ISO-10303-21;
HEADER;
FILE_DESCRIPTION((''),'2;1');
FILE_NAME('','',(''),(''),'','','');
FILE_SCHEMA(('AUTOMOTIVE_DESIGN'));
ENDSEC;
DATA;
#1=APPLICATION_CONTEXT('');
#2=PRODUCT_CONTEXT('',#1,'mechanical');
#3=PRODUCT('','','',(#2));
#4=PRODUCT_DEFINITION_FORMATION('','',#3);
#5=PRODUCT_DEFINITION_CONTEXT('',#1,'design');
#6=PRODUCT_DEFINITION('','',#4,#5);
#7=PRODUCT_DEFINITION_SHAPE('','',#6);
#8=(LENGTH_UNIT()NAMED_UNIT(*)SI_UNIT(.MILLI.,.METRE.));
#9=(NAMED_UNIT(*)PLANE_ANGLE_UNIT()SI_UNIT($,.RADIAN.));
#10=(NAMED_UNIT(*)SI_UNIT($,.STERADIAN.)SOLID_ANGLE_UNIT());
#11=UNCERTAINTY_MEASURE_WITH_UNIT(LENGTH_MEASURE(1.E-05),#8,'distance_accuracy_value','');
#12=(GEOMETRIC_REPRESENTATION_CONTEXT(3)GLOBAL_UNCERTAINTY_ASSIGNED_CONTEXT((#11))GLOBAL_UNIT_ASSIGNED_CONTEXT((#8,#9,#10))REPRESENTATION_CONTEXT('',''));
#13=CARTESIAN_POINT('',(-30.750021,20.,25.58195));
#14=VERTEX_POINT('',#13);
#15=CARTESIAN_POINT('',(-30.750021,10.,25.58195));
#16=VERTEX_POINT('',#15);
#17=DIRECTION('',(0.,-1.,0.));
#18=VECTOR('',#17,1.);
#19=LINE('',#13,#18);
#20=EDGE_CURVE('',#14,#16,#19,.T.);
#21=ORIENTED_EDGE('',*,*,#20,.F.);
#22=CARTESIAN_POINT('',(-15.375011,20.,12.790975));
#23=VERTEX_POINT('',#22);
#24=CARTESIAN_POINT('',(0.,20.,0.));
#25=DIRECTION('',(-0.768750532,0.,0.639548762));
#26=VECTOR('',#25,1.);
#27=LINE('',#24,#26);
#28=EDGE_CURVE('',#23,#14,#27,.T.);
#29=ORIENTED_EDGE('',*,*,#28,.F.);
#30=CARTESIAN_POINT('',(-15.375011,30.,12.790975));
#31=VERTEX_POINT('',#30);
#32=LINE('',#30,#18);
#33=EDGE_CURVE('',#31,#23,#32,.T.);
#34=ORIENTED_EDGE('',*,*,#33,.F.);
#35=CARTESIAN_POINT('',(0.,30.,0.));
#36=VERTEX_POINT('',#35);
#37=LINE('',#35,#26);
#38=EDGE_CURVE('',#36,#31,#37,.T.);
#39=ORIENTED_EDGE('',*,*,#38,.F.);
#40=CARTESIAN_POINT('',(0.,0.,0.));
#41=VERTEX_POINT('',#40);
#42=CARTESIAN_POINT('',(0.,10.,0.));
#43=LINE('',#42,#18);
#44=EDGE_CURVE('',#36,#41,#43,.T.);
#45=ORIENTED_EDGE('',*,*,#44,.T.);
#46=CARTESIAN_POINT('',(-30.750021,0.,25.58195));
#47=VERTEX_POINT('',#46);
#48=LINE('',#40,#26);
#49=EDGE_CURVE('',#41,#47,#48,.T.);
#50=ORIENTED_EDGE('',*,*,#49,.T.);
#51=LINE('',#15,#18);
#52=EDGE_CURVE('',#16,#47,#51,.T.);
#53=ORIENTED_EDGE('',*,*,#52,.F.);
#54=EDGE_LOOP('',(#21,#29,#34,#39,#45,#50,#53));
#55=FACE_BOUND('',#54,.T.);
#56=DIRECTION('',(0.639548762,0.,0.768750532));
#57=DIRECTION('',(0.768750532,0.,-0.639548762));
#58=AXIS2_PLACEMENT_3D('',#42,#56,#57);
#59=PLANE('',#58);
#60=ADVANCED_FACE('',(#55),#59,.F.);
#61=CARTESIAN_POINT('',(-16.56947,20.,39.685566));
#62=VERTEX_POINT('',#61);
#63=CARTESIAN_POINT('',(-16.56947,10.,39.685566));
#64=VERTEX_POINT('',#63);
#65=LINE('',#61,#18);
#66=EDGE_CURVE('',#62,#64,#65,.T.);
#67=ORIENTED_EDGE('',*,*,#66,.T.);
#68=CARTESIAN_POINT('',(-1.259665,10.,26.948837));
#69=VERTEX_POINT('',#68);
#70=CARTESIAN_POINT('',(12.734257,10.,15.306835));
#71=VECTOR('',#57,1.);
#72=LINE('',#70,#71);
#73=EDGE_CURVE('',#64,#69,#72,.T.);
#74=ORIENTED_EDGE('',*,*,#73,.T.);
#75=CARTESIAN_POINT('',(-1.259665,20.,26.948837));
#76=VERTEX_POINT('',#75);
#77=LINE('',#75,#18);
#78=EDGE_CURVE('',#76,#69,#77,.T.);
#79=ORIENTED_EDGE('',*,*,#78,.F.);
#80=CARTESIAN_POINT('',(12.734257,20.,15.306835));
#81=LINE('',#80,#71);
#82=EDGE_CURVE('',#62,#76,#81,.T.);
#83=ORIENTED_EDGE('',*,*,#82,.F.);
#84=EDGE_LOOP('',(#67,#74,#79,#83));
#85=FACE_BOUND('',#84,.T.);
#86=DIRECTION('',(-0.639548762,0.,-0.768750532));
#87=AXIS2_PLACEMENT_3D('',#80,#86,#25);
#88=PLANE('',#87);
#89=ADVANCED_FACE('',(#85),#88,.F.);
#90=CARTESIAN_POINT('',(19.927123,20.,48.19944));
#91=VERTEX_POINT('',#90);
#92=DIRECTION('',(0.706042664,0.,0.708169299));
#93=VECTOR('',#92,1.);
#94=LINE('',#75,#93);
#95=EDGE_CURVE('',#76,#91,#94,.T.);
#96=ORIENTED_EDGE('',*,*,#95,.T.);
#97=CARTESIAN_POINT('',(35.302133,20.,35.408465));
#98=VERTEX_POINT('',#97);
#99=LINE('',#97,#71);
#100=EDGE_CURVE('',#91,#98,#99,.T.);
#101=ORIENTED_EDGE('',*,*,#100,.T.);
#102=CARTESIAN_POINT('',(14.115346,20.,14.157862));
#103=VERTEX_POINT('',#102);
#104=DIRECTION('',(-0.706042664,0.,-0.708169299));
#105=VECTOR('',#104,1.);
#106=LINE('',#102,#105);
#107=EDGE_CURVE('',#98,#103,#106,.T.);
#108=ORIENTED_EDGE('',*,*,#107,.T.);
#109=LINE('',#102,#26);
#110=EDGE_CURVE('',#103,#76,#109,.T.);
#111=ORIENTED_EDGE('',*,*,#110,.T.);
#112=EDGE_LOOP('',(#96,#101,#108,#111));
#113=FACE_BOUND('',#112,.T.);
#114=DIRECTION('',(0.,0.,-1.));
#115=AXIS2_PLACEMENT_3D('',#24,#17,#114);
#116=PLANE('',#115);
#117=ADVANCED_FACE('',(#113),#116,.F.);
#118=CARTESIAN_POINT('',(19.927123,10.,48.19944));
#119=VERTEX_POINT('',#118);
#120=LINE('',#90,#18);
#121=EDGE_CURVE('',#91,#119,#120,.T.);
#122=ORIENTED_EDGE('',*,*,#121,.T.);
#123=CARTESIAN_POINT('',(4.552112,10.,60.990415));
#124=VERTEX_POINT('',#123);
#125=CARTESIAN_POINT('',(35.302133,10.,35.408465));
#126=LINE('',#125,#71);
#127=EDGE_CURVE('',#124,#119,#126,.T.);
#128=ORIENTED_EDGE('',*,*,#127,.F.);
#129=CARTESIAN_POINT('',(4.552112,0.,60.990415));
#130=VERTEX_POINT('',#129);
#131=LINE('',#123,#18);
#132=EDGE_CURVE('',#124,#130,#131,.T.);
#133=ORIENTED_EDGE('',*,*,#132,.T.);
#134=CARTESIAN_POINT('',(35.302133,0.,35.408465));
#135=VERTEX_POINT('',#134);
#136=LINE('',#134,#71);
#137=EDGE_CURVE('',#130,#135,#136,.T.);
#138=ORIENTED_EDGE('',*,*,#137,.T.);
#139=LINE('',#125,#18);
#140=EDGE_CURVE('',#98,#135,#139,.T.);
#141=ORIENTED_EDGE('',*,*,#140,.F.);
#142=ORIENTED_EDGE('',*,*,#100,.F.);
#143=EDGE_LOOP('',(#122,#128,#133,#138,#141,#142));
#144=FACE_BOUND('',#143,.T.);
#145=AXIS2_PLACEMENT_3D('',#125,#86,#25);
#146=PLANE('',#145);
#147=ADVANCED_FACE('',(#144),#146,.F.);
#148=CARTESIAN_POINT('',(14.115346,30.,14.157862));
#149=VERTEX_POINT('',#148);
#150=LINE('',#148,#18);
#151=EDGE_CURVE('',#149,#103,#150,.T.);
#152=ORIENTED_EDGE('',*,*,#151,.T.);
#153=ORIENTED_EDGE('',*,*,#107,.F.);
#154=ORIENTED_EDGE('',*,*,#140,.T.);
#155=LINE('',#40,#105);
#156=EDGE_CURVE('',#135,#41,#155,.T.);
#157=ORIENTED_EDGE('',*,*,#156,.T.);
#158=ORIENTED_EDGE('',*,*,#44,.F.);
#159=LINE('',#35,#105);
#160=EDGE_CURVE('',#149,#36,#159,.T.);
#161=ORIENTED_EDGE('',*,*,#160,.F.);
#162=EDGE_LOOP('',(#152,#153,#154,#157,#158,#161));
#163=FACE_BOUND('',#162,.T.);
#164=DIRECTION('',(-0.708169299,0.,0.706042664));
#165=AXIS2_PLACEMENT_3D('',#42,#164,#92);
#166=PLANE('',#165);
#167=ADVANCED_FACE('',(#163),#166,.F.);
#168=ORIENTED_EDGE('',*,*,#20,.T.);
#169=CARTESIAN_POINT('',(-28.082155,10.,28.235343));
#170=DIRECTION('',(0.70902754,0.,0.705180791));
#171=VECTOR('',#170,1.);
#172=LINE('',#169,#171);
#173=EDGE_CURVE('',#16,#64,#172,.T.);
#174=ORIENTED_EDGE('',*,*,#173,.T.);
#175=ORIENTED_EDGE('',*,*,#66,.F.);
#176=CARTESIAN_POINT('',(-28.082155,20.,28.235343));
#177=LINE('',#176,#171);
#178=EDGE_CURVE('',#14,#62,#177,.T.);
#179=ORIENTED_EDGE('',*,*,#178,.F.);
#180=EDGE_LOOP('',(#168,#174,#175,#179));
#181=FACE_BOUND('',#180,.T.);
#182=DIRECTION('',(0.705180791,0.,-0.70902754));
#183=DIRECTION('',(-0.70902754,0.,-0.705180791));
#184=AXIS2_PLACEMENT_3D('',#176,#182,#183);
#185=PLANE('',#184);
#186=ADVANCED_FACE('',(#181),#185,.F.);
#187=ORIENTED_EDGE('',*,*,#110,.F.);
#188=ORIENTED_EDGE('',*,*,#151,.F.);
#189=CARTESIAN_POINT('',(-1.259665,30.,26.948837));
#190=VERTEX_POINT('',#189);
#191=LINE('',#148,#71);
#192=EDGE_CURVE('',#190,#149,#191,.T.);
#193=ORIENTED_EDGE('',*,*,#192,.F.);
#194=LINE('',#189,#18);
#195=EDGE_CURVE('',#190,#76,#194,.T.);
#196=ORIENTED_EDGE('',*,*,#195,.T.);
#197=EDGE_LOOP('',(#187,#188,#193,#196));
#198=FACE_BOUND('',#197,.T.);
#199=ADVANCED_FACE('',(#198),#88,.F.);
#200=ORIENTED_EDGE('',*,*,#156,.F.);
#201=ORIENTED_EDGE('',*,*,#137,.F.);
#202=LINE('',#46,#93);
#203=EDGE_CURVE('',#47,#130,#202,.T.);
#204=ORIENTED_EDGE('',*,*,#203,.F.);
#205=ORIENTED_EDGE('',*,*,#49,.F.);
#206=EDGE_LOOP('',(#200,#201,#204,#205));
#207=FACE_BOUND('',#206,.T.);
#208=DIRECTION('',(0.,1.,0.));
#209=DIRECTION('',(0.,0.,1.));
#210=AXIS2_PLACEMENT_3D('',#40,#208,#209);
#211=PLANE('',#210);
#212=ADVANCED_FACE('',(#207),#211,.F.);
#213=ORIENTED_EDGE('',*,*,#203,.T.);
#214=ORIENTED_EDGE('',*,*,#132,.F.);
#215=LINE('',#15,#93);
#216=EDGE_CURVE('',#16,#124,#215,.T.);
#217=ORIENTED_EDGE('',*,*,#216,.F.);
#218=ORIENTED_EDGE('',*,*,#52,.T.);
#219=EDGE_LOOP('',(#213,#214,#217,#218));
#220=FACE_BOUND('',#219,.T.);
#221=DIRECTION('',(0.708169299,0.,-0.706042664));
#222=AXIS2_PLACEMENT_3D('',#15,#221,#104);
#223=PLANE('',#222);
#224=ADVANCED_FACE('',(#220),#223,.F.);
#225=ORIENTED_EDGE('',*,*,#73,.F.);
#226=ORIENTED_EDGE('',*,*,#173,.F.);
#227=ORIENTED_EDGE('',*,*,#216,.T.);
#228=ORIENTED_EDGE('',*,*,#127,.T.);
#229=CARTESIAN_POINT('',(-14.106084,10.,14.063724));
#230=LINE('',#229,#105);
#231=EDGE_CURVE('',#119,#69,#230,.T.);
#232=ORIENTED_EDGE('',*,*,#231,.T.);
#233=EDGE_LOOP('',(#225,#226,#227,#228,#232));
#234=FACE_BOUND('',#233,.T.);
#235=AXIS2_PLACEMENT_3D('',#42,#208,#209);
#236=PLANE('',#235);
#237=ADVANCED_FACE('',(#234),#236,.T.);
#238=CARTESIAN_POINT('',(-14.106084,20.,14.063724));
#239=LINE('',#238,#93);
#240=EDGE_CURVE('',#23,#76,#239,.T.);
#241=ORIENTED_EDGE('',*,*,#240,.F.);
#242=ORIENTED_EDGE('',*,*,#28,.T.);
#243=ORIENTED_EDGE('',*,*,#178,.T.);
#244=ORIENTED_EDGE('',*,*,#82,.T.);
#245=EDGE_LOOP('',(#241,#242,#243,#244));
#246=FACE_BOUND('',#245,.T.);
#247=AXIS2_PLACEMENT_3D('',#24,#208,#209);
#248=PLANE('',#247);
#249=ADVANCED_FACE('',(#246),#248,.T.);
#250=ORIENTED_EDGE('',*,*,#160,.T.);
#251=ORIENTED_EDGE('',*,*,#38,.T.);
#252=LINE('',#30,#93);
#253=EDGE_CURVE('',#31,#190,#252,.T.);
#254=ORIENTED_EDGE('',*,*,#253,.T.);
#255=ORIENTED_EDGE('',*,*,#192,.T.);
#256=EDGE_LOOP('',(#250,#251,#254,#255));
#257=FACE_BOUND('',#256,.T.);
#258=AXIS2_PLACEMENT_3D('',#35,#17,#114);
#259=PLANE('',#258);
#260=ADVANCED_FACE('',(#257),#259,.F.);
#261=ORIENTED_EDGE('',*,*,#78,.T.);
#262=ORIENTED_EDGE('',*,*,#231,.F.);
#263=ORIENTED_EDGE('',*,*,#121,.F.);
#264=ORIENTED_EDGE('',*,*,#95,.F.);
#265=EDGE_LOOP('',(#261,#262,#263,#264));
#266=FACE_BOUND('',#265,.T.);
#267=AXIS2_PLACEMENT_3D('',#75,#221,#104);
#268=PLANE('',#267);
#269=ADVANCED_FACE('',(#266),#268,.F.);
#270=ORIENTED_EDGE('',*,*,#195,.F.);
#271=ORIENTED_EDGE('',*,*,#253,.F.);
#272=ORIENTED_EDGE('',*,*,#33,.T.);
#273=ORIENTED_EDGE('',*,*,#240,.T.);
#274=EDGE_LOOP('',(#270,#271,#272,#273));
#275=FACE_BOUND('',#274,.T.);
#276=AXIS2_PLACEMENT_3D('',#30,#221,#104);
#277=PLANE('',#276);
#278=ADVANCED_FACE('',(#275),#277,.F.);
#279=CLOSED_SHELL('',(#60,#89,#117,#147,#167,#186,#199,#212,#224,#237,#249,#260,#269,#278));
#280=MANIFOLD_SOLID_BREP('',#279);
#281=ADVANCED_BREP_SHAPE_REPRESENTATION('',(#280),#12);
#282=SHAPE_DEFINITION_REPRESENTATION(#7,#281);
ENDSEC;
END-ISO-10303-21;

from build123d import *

# Parameters (mm, degrees)
BOSS_EXTRUDE1_DEPTH = 10
BOSS_EXTRUDE2_DEPTH = 10
BOSS_EXTRUDE3_DEPTH = 30
BOSS_EXTRUDE5_DEPTH = 20


with BuildPart() as part:
    # Sketch1 → Boss-Extrude1 (new body)
    with BuildSketch(Plane(origin=(0, 0, 0), x_dir=(1, 0, 0), z_dir=(0, 1, 0))):
        Polygon((0, 0), (35.302133222, -35.408464948), (4.552111931, -60.990415434), (-30.75002129, -25.581950485), align=None)
    extrude(amount=BOSS_EXTRUDE1_DEPTH)

    # Sketch2 → Boss-Extrude2 (add)
    with BuildSketch(Plane(origin=(0, 10, 0), x_dir=(1, 0, 0), z_dir=(0, 1, 0))):
        Polygon((-15.375010645, -12.790975243), (-30.75002129, -25.581950485), (-16.56947049, -39.685566298), (-1.259664797, -26.948837193), align=None)
    extrude(amount=BOSS_EXTRUDE2_DEPTH)

    # Sketch3 → Boss-Extrude3 (add)
    with BuildSketch(Plane(origin=(0, 0, 0), x_dir=(1, 0, 0), z_dir=(0, 1, 0))):
        Polygon((0, 0), (-15.375010645, -12.790975243), (-1.259664797, -26.948837193), (14.115345848, -14.15786195), align=None)
    extrude(amount=BOSS_EXTRUDE3_DEPTH)

    # Sketch4 → Boss-Extrude5 (add)
    with BuildSketch(Plane(origin=(0, 0, 0), x_dir=(1, 0, 0), z_dir=(0, 1, 0))):
        Polygon((14.115345848, -14.15786195), (-1.259664797, -26.948837193), (19.927122576, -48.199440191), (35.302133222, -35.408464948), align=None)
    extrude(amount=BOSS_EXTRUDE5_DEPTH)


solid = part.part
